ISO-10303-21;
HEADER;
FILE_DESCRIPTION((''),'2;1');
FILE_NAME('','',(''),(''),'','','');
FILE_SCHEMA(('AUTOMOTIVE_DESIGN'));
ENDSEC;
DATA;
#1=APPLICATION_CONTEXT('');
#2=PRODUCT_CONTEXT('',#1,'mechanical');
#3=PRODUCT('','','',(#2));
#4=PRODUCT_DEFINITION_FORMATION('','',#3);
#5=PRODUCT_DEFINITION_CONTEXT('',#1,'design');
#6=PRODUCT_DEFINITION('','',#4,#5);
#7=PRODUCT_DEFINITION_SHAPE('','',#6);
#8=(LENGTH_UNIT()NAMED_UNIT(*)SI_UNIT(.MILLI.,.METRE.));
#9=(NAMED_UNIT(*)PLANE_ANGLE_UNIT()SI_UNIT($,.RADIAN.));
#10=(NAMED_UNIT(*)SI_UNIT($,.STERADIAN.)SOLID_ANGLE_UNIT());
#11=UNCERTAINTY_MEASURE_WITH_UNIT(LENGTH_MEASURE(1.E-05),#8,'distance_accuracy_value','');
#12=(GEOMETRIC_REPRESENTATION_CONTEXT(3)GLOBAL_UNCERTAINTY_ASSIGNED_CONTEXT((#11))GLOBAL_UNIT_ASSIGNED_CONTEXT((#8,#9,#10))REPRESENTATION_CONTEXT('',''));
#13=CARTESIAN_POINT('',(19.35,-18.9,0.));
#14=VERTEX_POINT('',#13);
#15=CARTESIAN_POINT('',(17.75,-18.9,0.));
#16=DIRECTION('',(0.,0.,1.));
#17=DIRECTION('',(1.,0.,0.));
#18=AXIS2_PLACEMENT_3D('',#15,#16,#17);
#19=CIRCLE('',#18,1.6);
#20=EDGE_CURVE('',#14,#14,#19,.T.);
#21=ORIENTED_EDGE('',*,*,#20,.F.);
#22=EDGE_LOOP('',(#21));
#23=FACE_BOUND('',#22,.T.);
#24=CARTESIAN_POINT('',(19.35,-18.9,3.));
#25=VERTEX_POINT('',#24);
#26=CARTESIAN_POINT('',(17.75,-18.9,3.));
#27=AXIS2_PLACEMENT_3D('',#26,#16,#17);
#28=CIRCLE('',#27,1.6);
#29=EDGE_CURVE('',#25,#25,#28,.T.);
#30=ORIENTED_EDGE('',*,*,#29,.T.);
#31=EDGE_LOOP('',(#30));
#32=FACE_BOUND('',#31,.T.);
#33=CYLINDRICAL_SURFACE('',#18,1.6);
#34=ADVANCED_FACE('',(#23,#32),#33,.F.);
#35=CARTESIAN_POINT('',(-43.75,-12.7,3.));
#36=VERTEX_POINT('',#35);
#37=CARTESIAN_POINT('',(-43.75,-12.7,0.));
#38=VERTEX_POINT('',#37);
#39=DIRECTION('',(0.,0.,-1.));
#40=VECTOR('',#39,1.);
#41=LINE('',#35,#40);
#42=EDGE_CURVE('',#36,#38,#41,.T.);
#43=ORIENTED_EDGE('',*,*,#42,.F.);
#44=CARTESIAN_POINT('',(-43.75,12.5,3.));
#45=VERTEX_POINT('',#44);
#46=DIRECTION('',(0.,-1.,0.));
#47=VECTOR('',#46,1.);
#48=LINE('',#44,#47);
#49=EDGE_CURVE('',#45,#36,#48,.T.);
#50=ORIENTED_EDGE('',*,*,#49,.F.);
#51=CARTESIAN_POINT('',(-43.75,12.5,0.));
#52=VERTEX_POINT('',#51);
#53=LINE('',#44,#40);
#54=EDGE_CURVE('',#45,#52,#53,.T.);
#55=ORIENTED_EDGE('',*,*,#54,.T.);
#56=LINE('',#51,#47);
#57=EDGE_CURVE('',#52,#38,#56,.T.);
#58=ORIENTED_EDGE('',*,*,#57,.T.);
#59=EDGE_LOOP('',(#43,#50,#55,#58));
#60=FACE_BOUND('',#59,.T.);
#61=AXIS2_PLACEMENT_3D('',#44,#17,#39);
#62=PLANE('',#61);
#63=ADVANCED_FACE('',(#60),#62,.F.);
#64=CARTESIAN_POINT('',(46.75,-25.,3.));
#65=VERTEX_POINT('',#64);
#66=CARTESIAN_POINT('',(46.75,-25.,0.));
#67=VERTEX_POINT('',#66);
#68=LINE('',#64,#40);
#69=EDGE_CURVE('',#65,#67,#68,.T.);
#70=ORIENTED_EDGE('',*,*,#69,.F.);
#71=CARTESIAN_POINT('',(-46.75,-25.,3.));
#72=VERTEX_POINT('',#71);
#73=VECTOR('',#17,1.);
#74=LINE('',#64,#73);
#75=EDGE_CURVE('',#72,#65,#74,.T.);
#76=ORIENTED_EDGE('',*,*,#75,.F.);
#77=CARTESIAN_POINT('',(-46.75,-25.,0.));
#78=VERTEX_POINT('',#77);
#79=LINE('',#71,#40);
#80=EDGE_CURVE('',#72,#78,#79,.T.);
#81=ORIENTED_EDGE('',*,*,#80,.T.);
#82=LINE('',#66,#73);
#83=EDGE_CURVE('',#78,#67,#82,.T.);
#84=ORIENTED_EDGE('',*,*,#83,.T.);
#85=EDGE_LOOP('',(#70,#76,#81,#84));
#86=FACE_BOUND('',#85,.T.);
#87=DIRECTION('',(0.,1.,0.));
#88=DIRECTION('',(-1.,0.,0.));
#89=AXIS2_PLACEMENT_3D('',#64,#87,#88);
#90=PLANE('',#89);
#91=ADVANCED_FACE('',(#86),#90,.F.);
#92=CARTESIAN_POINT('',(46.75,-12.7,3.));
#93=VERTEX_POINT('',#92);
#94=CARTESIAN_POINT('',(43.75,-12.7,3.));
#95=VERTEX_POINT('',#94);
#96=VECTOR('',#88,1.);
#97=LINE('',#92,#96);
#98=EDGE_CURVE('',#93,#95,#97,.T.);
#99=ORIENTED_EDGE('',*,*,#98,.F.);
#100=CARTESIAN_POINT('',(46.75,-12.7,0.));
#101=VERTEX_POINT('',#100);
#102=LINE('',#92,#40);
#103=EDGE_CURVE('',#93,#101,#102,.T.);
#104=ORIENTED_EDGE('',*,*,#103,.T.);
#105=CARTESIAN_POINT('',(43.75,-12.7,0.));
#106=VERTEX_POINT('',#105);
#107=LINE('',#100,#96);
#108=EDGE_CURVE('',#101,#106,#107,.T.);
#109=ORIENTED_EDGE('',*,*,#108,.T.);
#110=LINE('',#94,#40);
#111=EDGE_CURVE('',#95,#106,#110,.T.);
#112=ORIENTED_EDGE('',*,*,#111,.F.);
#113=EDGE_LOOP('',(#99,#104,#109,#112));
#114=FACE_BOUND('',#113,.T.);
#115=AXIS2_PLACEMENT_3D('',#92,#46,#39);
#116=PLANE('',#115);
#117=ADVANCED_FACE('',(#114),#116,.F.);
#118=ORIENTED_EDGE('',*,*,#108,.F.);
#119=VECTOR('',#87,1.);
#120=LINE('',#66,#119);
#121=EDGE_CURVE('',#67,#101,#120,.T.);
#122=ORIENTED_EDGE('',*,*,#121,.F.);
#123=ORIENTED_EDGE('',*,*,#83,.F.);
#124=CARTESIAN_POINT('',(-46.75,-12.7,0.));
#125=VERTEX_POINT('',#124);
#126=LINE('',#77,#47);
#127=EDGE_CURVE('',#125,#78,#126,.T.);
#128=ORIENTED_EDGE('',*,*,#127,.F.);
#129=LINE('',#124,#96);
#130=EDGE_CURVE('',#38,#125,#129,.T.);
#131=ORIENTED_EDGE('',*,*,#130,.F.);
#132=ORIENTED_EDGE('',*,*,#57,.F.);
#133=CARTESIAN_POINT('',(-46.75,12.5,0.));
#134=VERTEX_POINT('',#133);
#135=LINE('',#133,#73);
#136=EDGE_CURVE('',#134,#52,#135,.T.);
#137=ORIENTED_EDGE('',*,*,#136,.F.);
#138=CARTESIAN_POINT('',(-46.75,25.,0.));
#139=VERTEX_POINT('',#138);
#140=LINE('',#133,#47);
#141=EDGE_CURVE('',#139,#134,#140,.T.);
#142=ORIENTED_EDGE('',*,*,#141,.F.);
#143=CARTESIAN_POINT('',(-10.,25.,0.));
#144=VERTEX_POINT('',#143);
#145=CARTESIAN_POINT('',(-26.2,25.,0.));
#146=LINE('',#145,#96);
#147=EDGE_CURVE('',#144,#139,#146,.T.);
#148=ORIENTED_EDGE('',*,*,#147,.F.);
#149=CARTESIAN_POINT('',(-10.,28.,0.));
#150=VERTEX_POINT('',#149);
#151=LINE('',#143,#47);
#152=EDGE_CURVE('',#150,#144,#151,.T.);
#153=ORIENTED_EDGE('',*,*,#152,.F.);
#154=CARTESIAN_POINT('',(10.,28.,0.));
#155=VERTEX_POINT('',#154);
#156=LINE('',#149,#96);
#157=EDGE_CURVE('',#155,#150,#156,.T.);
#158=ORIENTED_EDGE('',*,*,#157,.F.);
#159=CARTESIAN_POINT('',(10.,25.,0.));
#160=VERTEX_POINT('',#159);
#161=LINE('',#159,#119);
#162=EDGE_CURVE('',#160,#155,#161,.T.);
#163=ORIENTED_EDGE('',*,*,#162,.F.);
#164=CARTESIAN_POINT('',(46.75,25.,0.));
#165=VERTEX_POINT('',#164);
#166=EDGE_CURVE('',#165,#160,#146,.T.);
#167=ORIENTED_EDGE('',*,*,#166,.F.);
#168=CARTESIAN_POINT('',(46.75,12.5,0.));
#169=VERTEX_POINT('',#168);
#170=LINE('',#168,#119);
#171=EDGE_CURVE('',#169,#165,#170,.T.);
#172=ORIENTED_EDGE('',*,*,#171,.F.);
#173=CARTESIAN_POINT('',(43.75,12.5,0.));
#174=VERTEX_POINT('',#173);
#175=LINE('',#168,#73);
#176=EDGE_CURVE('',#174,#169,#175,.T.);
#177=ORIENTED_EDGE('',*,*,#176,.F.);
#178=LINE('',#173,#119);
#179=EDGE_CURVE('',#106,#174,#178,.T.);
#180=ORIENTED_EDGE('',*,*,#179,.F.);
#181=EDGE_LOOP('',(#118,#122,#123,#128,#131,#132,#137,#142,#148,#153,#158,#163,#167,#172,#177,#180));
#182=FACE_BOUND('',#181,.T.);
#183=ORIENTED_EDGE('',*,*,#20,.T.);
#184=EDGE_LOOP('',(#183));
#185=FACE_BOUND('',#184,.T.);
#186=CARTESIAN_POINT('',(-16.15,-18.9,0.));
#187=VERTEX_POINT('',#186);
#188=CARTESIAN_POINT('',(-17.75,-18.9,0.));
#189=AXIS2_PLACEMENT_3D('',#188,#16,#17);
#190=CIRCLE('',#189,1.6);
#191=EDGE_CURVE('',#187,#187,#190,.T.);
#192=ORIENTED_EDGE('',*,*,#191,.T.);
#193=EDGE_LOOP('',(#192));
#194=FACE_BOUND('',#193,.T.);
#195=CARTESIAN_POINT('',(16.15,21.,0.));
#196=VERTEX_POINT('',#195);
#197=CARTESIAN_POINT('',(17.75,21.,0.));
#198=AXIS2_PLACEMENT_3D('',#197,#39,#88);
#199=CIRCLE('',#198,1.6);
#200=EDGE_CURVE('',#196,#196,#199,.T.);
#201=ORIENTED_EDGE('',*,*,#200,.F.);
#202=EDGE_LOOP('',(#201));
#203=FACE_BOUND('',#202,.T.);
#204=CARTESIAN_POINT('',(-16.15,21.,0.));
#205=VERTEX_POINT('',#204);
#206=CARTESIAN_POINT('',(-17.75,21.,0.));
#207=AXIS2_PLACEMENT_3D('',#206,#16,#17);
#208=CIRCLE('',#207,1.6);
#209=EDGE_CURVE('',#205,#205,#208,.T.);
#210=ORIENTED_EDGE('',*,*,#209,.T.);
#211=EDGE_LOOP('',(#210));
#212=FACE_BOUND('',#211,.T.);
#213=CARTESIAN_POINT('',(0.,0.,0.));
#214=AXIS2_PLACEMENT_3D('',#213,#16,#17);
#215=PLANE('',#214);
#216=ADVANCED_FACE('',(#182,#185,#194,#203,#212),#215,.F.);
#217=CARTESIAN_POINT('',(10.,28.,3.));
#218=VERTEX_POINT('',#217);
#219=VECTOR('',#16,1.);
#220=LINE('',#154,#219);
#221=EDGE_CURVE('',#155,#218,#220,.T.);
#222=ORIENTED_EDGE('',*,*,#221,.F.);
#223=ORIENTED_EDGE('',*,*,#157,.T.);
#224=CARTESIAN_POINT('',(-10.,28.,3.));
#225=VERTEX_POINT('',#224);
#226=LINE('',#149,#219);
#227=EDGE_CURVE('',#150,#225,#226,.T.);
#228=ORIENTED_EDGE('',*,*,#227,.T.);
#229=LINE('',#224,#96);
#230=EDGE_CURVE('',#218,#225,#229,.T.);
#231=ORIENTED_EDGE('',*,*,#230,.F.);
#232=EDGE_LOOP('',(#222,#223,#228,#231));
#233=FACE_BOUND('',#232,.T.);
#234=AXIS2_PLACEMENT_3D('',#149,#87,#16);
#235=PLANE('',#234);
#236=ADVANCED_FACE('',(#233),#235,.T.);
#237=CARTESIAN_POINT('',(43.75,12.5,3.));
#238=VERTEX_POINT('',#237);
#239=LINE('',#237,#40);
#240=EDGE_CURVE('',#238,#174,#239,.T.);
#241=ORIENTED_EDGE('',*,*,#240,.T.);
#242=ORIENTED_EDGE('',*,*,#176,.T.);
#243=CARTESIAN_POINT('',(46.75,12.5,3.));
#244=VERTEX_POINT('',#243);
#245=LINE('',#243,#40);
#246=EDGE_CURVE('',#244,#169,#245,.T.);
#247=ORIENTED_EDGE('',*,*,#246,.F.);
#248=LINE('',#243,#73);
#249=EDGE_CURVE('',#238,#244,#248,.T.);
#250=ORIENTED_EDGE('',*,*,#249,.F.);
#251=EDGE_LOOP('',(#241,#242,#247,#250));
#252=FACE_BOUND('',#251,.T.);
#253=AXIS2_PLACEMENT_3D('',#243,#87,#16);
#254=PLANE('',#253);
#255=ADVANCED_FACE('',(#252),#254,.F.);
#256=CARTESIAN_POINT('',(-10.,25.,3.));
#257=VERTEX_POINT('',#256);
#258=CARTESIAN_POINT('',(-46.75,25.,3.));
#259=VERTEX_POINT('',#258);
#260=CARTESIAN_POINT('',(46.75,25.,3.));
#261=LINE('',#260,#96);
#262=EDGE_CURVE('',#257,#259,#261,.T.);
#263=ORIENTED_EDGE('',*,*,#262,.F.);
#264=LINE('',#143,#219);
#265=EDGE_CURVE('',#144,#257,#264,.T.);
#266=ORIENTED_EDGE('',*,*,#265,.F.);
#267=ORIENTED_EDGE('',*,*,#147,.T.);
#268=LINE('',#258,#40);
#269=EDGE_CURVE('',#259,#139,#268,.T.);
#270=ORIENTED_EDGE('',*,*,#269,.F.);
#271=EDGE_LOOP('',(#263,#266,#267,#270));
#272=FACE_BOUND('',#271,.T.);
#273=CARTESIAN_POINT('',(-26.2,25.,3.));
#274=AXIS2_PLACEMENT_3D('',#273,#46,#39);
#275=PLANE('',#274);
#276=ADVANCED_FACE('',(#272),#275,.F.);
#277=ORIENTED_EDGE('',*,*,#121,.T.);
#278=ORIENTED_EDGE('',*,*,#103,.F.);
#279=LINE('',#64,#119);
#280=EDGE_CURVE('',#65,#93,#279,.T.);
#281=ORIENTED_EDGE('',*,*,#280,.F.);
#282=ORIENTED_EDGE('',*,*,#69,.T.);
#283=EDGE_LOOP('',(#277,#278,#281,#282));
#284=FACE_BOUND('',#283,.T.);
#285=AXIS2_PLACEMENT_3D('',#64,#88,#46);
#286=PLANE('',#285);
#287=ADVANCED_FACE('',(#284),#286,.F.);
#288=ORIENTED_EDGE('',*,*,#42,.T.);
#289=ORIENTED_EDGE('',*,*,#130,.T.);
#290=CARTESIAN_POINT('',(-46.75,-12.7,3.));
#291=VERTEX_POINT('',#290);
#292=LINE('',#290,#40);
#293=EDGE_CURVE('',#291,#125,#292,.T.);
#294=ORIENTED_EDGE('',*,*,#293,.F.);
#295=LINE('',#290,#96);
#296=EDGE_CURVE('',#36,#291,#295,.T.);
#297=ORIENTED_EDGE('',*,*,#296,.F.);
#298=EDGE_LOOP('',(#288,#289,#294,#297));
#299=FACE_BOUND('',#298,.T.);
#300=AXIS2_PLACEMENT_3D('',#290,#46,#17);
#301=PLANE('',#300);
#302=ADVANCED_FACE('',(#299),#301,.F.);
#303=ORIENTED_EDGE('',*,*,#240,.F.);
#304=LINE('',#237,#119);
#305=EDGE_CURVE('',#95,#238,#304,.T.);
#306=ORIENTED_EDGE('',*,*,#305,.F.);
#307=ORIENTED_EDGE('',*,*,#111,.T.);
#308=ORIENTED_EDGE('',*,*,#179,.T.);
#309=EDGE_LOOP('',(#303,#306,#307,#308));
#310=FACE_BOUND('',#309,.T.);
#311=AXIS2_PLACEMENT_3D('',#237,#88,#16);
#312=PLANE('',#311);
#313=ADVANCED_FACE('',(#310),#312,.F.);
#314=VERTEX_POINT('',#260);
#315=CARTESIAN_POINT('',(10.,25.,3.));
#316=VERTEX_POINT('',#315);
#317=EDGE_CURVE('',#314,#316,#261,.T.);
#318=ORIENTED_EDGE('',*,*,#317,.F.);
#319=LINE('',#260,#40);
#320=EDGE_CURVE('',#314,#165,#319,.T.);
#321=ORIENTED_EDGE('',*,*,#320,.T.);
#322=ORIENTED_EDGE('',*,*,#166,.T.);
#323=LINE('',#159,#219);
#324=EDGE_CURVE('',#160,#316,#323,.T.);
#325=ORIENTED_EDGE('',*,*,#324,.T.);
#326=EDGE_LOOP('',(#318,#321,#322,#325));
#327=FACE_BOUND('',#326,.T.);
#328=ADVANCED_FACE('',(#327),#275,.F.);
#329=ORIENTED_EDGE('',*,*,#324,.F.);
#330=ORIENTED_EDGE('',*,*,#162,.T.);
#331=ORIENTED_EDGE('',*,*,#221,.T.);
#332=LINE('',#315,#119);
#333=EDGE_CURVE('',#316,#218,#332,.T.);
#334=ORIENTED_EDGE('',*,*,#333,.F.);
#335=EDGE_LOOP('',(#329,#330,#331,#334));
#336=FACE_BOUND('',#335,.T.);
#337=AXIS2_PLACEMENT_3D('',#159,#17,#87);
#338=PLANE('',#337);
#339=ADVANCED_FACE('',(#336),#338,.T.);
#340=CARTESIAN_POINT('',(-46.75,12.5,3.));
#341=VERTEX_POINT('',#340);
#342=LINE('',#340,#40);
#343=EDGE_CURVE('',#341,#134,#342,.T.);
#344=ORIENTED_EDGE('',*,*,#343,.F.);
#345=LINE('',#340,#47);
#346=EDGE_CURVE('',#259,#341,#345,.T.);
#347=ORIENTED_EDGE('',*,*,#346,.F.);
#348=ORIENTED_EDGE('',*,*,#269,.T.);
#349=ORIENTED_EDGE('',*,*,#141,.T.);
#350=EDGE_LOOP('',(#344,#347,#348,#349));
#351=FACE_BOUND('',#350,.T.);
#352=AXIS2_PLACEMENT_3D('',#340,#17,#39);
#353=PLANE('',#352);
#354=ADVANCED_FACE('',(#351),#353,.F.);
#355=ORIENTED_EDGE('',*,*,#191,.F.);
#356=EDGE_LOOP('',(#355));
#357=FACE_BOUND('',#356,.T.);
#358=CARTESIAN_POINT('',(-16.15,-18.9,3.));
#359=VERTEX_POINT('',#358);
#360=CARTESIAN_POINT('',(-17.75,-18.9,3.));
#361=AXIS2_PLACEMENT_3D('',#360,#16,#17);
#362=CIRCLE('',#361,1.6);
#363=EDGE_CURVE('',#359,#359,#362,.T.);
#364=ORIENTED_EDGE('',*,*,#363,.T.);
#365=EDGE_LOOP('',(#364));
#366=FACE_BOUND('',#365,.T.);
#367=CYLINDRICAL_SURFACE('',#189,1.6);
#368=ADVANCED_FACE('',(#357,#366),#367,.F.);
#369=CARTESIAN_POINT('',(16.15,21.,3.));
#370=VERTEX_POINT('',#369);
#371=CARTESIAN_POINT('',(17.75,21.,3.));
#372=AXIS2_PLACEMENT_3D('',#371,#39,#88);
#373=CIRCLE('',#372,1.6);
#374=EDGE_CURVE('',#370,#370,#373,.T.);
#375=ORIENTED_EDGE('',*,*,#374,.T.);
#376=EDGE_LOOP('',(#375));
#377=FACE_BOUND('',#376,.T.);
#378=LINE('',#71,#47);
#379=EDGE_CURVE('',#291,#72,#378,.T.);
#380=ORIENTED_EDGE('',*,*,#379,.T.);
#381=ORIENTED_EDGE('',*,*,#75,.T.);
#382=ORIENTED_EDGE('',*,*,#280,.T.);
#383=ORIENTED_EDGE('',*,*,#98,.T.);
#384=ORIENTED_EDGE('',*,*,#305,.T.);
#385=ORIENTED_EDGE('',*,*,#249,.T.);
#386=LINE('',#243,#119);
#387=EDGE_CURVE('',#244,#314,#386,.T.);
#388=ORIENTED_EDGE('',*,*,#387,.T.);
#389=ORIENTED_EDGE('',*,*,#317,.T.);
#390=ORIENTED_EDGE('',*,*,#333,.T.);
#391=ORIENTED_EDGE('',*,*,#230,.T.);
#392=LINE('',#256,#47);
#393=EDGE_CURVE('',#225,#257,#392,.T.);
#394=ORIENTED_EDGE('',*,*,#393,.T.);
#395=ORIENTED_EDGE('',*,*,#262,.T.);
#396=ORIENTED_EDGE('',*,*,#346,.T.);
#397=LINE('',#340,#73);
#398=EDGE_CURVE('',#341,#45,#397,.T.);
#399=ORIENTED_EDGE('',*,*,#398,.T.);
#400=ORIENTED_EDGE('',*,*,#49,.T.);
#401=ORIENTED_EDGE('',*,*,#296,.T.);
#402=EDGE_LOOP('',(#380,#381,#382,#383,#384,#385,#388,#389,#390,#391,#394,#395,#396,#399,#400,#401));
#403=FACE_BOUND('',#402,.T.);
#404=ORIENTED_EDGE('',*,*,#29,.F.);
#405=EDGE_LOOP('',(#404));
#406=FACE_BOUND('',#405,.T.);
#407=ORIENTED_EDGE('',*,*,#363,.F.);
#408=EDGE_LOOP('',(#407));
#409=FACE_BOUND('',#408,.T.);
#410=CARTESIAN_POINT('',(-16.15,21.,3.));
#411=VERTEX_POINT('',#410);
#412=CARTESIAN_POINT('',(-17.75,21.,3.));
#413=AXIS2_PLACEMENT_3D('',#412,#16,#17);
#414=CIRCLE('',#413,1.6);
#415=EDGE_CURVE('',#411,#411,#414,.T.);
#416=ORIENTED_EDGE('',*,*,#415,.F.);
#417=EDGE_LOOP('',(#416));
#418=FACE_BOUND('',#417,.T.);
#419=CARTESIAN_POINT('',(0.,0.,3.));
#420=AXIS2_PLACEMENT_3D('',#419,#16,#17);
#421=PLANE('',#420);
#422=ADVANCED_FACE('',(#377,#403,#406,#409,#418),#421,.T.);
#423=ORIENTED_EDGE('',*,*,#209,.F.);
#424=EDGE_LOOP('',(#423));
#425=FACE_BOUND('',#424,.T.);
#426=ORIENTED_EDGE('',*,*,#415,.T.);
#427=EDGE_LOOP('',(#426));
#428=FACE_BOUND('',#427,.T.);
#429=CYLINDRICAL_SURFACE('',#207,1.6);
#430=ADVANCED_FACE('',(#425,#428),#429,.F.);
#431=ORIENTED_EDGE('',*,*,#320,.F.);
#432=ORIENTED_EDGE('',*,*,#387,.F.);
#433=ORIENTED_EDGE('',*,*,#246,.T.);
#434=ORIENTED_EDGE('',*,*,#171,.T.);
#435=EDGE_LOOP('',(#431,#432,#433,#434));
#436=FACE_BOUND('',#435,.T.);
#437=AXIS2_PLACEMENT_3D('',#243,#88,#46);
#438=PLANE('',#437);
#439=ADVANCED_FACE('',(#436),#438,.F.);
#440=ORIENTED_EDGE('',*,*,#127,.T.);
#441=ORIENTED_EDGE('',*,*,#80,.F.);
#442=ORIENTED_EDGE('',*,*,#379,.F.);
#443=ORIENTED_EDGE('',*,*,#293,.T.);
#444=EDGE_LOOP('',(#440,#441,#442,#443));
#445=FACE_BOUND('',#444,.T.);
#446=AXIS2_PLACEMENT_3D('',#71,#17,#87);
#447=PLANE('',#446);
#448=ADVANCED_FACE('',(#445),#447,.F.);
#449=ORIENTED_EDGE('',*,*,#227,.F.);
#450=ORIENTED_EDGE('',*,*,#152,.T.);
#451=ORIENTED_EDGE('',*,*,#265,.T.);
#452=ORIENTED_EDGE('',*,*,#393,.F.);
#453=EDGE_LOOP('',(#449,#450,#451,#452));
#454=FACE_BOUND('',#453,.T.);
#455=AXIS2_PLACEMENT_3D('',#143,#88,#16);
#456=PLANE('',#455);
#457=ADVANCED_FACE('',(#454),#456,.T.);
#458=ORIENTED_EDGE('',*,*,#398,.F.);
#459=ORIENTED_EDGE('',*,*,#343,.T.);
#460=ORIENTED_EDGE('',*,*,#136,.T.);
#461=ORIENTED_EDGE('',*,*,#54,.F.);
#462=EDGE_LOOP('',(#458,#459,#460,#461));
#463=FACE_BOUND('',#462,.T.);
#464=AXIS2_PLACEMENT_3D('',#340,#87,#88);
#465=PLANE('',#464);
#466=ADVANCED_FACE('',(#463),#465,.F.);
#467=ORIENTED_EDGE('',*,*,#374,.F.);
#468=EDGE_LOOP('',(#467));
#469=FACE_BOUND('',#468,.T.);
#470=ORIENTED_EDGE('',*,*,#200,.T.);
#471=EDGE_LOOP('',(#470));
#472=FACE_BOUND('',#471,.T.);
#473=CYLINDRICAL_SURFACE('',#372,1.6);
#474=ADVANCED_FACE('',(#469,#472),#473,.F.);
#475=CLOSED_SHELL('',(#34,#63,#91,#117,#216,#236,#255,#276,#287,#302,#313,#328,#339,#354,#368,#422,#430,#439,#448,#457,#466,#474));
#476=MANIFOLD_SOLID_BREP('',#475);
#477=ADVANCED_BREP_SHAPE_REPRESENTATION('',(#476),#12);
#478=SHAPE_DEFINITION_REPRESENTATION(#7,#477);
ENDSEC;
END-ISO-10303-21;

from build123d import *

# Parameters (mm, degrees)
BOSS_EXTRU_1_DEPTH = 3
ESQUISSE2_W        = 20
ESQUISSE2_H        = 3
BOSS_EXTRU_2_DEPTH = 3
SKETCH1_R          = 1.6
CUT_EXTRUDE1_DEPTH = 55.576208186
SKETCH2_R          = 1.6
CUT_EXTRUDE2_DEPTH = 55.576208186
SKETCH3_R          = 1.6
CUT_EXTRUDE3_DEPTH = 55.576208186


with BuildPart() as part:
    # Esquisse1 → Boss.-Extru.1 (new body)
    with BuildSketch(Plane.XY):
        Polygon((46.75, -25), (-46.75, -25), (-46.75, -12.7), (-43.75, -12.7), (-43.75, 12.5), (-46.75, 12.5), (-46.75, 25), (-26.2, 25), (-23, 25), (23, 25), (26.2, 25), (46.75, 25), (46.75, 12.5), (43.75, 12.5), (43.75, -12.7), (46.75, -12.7), align=None)
    extrude(amount=BOSS_EXTRU_1_DEPTH)

    # Esquisse2 → Boss.-Extru.2 (add)
    with BuildSketch(Plane.XY.offset(3)):
        with Locations((0, 26.5)):
            Rectangle(ESQUISSE2_W, ESQUISSE2_H)
    extrude(amount=-BOSS_EXTRU_2_DEPTH)

    # Sketch1 → Cut-Extrude1 (cut, through all)
    with BuildSketch(Plane.XY.offset(3)):
        with Locations((-17.75, 21)):
            Circle(SKETCH1_R)
    extrude(amount=-CUT_EXTRUDE1_DEPTH, mode=Mode.SUBTRACT)

    # Sketch2 → Cut-Extrude2 (cut, through all)
    with BuildSketch(Plane(origin=(0, 0, 0), x_dir=(-1, 0, 0), z_dir=(0, 0, -1))):
        with Locations((-17.75, 21)):
            Circle(SKETCH2_R)
    extrude(amount=-CUT_EXTRUDE2_DEPTH, mode=Mode.SUBTRACT)

    # Sketch3 → Cut-Extrude3 (cut, through all)
    with BuildSketch(Plane.XY.offset(3)):
        with Locations((17.75, -18.9)):
            Circle(SKETCH3_R)
        with Locations((-17.75, -18.9)):
            Circle(SKETCH3_R)
    extrude(amount=-CUT_EXTRUDE3_DEPTH, mode=Mode.SUBTRACT)


solid = part.part
